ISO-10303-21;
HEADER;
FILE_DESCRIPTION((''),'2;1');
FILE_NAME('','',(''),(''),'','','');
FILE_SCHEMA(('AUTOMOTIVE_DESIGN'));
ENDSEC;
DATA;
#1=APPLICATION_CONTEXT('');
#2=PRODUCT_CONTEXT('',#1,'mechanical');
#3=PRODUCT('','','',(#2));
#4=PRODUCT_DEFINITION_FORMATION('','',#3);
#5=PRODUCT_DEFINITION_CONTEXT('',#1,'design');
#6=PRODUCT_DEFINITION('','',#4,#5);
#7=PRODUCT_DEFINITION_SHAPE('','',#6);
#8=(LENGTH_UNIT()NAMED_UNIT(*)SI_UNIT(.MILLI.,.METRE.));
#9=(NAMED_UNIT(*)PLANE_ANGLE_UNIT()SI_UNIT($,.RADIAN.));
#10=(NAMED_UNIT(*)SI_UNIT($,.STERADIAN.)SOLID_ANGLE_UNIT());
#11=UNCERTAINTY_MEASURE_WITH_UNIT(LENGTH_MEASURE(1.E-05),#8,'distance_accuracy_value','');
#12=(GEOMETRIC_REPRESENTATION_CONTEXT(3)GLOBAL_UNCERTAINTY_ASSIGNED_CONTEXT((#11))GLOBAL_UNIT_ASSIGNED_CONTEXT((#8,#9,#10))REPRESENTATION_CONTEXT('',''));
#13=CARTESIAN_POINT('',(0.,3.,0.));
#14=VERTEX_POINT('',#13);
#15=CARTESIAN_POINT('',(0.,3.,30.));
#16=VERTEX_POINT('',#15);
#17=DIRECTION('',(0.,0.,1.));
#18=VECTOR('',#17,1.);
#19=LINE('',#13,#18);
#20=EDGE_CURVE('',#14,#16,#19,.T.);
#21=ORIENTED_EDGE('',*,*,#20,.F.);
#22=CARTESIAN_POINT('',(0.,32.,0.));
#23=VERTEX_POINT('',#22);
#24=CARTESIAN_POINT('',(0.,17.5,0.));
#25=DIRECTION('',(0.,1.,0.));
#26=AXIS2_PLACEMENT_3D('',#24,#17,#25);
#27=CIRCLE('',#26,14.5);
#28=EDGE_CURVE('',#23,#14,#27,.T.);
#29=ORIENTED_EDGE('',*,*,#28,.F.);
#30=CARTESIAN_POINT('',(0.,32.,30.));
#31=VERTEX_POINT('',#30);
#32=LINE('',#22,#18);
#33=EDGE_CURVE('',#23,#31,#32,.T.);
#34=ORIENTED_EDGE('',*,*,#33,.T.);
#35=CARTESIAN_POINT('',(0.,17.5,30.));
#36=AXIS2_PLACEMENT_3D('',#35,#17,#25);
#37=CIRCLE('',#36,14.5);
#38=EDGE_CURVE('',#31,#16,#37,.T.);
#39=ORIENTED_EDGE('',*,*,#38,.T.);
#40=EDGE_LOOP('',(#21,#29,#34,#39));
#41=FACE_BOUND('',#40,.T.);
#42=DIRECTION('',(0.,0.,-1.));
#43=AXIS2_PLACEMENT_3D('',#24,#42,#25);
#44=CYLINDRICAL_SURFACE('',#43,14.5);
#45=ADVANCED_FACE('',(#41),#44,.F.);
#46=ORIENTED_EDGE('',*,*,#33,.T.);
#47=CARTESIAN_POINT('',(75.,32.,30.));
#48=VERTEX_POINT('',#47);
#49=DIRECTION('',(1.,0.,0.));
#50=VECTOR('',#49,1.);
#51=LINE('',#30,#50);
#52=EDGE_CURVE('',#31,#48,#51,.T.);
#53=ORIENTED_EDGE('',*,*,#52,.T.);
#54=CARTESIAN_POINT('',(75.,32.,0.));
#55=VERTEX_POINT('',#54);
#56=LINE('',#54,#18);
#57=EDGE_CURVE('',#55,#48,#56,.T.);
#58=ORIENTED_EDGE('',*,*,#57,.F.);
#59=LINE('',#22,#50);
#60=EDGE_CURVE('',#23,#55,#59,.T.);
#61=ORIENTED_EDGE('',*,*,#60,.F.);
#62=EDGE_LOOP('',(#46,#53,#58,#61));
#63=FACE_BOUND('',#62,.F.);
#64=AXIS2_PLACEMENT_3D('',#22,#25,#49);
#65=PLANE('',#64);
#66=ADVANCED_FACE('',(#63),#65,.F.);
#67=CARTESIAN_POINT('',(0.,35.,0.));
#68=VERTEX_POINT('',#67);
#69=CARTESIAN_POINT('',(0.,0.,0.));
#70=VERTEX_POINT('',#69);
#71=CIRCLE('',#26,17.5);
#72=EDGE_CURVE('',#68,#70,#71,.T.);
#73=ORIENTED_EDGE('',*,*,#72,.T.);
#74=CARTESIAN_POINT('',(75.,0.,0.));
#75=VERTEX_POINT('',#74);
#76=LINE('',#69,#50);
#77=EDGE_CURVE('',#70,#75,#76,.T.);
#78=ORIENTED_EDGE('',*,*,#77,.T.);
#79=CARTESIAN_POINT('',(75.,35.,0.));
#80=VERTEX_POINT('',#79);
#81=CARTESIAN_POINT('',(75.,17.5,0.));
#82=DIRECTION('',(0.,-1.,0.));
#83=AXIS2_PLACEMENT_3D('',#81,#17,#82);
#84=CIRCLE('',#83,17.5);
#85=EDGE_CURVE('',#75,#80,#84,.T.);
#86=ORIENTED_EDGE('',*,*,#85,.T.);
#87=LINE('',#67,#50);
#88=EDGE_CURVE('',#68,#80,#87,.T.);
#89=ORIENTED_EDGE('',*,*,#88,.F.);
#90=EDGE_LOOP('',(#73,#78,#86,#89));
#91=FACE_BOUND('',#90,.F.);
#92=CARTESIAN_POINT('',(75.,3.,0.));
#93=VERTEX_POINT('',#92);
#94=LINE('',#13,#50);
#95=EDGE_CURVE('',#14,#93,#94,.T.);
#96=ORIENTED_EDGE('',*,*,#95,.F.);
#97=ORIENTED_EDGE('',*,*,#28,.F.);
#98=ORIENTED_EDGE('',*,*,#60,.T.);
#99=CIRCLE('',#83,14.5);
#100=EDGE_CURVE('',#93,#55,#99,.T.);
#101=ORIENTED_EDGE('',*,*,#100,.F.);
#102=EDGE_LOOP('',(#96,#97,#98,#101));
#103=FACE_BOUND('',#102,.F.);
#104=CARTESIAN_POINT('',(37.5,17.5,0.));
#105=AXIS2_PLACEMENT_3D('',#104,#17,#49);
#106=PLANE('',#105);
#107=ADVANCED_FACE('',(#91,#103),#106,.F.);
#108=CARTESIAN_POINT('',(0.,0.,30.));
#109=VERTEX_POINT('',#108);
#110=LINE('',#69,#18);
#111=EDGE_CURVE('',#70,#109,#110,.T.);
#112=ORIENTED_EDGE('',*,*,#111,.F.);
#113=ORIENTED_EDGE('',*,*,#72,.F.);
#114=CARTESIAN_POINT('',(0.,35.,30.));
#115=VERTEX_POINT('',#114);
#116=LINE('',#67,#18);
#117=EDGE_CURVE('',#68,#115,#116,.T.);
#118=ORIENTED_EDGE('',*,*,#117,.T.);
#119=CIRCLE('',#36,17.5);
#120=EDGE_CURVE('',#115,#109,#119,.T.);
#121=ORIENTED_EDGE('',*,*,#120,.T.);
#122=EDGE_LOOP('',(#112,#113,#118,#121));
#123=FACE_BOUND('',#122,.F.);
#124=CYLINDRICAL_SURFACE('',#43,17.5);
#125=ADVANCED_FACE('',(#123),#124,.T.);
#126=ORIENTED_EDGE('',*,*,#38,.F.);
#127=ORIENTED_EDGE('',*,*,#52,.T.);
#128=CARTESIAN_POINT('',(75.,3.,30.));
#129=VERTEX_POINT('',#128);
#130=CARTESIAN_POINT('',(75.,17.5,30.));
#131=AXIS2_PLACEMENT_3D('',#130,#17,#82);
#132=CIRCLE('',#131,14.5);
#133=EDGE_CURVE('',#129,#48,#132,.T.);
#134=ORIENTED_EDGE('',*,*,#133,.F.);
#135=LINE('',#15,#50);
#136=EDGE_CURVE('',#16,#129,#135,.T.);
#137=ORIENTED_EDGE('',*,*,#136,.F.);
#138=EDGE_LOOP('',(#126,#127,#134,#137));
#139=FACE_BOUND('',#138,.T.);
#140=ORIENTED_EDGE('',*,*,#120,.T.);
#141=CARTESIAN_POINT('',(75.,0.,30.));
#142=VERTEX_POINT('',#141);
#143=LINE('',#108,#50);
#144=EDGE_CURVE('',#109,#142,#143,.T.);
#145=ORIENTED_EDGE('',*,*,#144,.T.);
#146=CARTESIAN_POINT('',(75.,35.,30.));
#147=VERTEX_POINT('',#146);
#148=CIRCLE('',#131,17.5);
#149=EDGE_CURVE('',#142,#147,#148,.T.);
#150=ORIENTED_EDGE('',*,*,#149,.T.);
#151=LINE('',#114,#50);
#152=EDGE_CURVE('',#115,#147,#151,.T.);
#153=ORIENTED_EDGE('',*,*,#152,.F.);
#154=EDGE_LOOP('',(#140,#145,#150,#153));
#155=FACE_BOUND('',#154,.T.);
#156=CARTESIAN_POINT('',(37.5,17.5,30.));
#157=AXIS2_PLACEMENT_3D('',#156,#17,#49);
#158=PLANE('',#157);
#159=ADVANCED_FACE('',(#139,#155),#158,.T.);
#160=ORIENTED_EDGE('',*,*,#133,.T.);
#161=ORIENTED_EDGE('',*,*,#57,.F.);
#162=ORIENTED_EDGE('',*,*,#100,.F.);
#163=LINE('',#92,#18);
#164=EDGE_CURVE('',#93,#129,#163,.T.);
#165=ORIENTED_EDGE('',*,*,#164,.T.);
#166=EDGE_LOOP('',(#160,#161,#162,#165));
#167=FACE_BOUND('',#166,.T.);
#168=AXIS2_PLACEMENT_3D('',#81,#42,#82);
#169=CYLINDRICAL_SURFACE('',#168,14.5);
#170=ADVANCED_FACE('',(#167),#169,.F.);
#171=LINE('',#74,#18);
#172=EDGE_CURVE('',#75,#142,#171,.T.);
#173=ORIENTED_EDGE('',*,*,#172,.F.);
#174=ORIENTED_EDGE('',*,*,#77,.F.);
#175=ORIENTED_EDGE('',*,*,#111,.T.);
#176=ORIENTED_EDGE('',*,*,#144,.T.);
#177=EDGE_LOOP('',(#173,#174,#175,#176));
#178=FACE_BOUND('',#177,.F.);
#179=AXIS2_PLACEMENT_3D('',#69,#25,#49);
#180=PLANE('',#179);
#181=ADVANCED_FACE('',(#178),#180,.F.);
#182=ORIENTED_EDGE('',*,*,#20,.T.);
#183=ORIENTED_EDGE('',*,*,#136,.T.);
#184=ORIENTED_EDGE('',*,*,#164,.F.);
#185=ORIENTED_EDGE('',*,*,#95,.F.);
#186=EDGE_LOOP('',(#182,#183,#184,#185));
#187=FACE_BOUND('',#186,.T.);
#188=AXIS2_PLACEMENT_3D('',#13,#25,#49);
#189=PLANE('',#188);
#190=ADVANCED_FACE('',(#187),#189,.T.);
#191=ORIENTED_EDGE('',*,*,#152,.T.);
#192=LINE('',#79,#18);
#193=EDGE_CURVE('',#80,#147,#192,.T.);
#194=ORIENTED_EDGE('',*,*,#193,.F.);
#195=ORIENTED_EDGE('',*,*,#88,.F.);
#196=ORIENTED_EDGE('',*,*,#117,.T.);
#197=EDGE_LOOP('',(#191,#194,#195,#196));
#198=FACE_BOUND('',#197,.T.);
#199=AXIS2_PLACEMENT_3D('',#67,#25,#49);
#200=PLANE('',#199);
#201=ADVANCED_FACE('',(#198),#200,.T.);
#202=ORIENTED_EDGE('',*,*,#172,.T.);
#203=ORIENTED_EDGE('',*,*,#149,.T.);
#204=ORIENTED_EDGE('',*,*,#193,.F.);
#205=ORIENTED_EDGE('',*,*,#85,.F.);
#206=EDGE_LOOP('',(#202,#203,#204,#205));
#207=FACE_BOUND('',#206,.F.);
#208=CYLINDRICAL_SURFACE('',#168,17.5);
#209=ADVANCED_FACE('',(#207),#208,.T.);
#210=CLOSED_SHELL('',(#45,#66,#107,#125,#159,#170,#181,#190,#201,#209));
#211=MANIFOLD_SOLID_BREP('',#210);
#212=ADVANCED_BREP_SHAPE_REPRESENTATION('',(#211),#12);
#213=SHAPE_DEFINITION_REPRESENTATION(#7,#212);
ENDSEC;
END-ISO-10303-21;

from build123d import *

# Parameters (mm, degrees)
PAD_DEPTH = 30


with BuildPart() as part:
    # Sketch → Pad (new body)
    with BuildSketch(Plane.XY):
        with BuildLine():
            ThreePointArc((0, 35), (-17.5, 17.5), (0, 0))
            Line((0, 0), (75, 0))
            ThreePointArc((75, 0), (92.5, 17.5), (75, 35))
            Line((0, 35), (75, 35))
        make_face()
        with BuildLine():
            ThreePointArc((0, 32), (-14.5, 17.5), (0, 3))
            Line((0, 3), (75, 3))
            ThreePointArc((75, 3), (89.5, 17.5), (75, 32))
            Line((0, 32), (75, 32))
        make_face(mode=Mode.SUBTRACT)
    extrude(amount=PAD_DEPTH)


solid = part.part
